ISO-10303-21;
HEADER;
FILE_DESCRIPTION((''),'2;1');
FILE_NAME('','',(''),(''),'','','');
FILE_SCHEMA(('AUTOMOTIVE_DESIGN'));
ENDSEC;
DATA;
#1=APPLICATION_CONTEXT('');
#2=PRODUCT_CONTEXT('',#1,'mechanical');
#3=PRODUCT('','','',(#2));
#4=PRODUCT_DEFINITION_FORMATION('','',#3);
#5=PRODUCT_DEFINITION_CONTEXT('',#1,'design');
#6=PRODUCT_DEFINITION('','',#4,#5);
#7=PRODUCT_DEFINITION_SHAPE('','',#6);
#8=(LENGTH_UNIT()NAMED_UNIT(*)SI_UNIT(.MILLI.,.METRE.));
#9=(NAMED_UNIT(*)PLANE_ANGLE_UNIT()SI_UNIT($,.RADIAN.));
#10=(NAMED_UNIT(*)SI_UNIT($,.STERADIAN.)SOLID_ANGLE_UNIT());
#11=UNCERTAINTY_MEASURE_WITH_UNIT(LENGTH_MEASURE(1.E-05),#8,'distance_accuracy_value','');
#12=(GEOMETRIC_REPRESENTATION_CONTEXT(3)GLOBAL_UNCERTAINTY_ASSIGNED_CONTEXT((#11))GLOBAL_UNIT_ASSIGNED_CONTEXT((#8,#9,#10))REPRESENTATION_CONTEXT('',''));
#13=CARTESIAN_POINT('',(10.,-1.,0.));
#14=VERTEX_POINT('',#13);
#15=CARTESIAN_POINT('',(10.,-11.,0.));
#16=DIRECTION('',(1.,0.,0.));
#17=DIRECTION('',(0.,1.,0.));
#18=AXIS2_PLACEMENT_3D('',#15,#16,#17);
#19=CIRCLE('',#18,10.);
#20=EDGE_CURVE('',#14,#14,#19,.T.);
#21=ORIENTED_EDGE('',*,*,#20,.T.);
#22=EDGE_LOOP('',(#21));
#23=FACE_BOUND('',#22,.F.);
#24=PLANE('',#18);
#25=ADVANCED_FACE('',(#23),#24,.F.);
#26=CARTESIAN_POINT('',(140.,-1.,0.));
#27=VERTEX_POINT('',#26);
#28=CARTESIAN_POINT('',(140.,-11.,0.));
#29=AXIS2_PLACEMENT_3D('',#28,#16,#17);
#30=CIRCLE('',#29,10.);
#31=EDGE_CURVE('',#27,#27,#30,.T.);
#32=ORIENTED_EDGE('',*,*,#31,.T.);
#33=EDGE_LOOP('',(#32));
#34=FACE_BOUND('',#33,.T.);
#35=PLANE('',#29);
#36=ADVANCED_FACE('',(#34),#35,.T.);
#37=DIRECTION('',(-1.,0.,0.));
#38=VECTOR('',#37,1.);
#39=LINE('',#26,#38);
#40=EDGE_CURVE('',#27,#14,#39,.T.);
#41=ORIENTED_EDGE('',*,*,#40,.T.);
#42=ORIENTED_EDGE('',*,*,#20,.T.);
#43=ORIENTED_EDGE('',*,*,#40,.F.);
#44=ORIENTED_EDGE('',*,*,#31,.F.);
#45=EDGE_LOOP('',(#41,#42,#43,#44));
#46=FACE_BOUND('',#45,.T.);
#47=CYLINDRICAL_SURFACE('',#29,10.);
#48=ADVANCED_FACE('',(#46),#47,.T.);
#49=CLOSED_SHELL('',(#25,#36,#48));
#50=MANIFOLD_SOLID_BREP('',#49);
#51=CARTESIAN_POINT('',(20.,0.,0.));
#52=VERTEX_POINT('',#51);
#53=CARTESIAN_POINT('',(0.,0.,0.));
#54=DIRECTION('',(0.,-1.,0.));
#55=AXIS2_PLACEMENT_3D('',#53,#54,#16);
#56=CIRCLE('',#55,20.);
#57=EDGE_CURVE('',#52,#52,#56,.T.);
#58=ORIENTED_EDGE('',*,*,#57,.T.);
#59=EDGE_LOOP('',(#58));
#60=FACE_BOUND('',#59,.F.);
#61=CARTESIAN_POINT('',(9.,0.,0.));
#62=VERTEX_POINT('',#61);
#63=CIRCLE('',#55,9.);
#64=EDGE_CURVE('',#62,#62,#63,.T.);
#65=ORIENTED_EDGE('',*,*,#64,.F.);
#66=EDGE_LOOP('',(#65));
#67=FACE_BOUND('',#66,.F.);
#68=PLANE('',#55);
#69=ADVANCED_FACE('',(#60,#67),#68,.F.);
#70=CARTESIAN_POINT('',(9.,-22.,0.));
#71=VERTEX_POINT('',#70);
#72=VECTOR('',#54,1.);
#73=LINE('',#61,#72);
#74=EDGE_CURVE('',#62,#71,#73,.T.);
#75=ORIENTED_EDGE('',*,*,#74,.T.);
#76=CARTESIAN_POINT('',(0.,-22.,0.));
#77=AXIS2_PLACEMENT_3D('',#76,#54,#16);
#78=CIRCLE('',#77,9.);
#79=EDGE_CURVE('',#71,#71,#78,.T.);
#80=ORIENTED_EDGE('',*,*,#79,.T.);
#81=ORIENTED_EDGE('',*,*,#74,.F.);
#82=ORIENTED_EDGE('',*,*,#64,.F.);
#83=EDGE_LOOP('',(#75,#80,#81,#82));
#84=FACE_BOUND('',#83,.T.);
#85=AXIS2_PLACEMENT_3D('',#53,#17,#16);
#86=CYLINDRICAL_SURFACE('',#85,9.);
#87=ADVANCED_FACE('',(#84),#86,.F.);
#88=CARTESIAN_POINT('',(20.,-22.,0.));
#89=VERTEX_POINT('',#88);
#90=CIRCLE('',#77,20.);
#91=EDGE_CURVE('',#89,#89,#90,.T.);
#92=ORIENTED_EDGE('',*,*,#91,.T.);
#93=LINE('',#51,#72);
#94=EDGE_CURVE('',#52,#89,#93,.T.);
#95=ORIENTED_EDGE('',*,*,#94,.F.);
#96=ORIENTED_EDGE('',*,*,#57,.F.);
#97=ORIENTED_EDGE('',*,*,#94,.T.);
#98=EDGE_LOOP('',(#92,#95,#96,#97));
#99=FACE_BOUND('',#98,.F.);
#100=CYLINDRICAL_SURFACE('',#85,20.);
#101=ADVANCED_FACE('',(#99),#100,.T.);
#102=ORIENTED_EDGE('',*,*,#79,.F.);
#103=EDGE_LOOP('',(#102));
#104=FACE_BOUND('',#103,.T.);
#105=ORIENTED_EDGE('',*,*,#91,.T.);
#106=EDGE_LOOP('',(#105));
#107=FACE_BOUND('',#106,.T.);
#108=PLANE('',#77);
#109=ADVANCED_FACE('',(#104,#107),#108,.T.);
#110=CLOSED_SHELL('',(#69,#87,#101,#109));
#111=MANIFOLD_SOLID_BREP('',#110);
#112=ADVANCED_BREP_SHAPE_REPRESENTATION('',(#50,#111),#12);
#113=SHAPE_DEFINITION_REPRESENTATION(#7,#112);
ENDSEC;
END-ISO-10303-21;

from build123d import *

# Parameters (mm, degrees)
F0_R     = 20
F0_R_2   = 9
F1_DEPTH = 22
F3_R     = 10
F4_DEPTH = 130


with BuildPart() as f1:
    # F0 (on Front) → F1 (new body)
    with BuildSketch(Plane.XZ):
        Circle(F0_R)
        Circle(F0_R_2, mode=Mode.SUBTRACT)
    extrude(amount=F1_DEPTH)


with BuildPart() as f4:
    # F3 (on offset) → F4 (new body)
    with BuildSketch(Plane.YZ.offset(140)):
        with Locations((-11, 0)):
            Circle(F3_R)
    extrude(amount=-F4_DEPTH)


solid = Compound([f1.part, f4.part])
